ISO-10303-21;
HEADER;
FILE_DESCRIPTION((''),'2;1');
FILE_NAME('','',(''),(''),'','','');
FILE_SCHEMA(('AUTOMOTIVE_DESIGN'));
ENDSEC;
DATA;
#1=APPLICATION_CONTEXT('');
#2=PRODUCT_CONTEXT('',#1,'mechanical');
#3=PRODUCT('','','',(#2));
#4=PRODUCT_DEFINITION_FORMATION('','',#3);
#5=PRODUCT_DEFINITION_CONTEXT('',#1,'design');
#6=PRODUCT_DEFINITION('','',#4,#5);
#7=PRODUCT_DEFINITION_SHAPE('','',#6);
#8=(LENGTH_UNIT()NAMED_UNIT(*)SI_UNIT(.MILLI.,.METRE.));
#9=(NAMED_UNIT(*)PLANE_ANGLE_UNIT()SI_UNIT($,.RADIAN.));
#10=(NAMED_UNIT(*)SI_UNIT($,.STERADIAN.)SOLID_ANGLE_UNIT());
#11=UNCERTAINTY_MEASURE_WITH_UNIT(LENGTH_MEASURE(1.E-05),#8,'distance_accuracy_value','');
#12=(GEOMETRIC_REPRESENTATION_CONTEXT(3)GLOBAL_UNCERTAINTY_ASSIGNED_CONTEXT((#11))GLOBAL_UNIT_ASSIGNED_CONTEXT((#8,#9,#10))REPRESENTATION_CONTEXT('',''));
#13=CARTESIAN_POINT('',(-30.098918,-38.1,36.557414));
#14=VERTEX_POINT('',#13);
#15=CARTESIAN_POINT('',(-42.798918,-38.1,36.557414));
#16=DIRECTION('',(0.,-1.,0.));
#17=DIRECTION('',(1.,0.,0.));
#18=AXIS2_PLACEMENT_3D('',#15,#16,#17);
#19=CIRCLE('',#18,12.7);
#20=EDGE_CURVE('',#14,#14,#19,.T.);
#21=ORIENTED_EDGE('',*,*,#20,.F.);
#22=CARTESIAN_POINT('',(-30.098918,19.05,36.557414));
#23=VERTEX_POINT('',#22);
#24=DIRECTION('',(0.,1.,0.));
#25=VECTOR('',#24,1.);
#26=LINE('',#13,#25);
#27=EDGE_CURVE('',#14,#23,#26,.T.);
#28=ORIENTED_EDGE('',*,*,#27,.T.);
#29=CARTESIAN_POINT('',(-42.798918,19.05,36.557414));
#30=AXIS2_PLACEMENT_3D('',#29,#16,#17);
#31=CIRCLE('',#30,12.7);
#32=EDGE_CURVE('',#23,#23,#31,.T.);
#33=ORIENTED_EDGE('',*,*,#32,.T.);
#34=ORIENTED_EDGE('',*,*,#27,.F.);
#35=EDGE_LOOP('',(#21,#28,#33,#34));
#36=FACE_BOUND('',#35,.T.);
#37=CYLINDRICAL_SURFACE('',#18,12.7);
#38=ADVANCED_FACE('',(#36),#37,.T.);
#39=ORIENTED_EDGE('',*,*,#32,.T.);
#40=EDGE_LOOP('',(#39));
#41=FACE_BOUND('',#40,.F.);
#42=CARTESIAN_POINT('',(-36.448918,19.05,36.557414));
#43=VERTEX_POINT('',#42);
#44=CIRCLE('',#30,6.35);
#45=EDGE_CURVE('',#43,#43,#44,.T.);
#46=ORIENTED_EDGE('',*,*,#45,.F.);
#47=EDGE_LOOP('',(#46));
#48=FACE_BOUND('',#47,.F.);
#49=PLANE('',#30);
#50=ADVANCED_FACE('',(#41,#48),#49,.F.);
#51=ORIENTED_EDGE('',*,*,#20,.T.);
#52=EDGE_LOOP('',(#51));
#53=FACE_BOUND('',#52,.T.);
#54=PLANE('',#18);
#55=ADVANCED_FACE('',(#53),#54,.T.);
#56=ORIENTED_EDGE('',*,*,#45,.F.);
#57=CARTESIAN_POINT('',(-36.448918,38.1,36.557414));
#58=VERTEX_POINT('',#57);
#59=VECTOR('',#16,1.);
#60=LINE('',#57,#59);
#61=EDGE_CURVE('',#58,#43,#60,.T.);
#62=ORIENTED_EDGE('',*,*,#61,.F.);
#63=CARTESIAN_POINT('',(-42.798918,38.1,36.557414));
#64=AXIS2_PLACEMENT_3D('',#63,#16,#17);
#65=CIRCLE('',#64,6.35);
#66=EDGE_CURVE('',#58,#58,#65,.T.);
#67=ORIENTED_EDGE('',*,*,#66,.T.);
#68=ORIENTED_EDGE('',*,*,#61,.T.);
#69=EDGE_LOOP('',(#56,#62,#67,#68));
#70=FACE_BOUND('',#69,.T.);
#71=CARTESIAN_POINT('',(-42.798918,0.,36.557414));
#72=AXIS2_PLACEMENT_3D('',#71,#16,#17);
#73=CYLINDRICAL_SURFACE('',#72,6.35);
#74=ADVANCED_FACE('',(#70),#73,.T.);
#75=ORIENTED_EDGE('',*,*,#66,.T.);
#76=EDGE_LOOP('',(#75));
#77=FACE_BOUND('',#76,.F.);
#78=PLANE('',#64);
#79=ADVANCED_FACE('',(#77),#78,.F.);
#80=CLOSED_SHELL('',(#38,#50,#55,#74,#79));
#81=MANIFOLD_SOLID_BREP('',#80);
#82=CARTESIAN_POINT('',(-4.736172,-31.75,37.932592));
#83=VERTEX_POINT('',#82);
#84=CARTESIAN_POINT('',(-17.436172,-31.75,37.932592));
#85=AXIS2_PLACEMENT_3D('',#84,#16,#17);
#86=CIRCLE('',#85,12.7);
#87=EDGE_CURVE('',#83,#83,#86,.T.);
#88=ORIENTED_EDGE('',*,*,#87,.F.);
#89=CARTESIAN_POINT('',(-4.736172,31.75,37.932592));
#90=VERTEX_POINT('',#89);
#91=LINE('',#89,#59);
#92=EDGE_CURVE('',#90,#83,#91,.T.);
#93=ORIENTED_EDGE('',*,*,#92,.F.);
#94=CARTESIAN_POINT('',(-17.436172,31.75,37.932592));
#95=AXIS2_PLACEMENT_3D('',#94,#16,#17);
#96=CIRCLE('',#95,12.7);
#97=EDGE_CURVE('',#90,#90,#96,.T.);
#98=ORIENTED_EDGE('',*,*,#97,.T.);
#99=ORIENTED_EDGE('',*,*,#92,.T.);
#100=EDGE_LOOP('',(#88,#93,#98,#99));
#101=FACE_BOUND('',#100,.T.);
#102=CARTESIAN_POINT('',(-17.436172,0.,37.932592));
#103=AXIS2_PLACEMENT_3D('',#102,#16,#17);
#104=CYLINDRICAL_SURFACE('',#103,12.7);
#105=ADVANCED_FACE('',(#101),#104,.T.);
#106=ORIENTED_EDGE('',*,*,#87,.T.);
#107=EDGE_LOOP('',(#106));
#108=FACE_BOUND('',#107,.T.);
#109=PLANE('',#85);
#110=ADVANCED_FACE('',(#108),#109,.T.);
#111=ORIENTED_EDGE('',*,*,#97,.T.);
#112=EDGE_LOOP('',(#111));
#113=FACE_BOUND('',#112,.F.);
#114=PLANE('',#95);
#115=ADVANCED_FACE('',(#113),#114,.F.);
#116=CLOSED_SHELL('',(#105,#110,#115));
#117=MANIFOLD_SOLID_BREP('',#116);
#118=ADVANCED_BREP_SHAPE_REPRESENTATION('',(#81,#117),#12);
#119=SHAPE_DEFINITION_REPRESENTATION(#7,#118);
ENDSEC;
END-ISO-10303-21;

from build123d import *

# Parameters (mm, degrees)
F0_R     = 6.35
F1_DEPTH = 38.1
F2_R     = 12.7
F3_DEPTH = 57.15
F4_R     = 12.7
F4_R_2   = 6.35
F5_DEPTH = 31.75


with BuildPart() as f1:
    # F0 (on Front) → F1 (new body, symmetric)
    with BuildSketch(Plane.XZ):
        with Locations((-42.798918, 36.557414)):
            Circle(F0_R)
    extrude(amount=F1_DEPTH, both=True)

    # F2 (on face) → F3 (join)
    with BuildSketch(Plane.XZ.offset(38.1)):
        with Locations((-42.798918, 36.557414)):
            Circle(F2_R)
    extrude(amount=-F3_DEPTH)


with BuildPart() as f5:
    # F4 (on Front) → F5 (new body, symmetric)
    with BuildSketch(Plane.XZ):
        with Locations((-17.436172, 37.932592)):
            Circle(F4_R)
        with Locations((-17.436172, 37.932592)):
            Circle(F4_R_2, mode=Mode.SUBTRACT)
        with Locations((-17.436172, 37.932592)):
            Circle(F4_R_2)
    extrude(amount=F5_DEPTH, both=True)


solid = Compound([f1.part, f5.part])
